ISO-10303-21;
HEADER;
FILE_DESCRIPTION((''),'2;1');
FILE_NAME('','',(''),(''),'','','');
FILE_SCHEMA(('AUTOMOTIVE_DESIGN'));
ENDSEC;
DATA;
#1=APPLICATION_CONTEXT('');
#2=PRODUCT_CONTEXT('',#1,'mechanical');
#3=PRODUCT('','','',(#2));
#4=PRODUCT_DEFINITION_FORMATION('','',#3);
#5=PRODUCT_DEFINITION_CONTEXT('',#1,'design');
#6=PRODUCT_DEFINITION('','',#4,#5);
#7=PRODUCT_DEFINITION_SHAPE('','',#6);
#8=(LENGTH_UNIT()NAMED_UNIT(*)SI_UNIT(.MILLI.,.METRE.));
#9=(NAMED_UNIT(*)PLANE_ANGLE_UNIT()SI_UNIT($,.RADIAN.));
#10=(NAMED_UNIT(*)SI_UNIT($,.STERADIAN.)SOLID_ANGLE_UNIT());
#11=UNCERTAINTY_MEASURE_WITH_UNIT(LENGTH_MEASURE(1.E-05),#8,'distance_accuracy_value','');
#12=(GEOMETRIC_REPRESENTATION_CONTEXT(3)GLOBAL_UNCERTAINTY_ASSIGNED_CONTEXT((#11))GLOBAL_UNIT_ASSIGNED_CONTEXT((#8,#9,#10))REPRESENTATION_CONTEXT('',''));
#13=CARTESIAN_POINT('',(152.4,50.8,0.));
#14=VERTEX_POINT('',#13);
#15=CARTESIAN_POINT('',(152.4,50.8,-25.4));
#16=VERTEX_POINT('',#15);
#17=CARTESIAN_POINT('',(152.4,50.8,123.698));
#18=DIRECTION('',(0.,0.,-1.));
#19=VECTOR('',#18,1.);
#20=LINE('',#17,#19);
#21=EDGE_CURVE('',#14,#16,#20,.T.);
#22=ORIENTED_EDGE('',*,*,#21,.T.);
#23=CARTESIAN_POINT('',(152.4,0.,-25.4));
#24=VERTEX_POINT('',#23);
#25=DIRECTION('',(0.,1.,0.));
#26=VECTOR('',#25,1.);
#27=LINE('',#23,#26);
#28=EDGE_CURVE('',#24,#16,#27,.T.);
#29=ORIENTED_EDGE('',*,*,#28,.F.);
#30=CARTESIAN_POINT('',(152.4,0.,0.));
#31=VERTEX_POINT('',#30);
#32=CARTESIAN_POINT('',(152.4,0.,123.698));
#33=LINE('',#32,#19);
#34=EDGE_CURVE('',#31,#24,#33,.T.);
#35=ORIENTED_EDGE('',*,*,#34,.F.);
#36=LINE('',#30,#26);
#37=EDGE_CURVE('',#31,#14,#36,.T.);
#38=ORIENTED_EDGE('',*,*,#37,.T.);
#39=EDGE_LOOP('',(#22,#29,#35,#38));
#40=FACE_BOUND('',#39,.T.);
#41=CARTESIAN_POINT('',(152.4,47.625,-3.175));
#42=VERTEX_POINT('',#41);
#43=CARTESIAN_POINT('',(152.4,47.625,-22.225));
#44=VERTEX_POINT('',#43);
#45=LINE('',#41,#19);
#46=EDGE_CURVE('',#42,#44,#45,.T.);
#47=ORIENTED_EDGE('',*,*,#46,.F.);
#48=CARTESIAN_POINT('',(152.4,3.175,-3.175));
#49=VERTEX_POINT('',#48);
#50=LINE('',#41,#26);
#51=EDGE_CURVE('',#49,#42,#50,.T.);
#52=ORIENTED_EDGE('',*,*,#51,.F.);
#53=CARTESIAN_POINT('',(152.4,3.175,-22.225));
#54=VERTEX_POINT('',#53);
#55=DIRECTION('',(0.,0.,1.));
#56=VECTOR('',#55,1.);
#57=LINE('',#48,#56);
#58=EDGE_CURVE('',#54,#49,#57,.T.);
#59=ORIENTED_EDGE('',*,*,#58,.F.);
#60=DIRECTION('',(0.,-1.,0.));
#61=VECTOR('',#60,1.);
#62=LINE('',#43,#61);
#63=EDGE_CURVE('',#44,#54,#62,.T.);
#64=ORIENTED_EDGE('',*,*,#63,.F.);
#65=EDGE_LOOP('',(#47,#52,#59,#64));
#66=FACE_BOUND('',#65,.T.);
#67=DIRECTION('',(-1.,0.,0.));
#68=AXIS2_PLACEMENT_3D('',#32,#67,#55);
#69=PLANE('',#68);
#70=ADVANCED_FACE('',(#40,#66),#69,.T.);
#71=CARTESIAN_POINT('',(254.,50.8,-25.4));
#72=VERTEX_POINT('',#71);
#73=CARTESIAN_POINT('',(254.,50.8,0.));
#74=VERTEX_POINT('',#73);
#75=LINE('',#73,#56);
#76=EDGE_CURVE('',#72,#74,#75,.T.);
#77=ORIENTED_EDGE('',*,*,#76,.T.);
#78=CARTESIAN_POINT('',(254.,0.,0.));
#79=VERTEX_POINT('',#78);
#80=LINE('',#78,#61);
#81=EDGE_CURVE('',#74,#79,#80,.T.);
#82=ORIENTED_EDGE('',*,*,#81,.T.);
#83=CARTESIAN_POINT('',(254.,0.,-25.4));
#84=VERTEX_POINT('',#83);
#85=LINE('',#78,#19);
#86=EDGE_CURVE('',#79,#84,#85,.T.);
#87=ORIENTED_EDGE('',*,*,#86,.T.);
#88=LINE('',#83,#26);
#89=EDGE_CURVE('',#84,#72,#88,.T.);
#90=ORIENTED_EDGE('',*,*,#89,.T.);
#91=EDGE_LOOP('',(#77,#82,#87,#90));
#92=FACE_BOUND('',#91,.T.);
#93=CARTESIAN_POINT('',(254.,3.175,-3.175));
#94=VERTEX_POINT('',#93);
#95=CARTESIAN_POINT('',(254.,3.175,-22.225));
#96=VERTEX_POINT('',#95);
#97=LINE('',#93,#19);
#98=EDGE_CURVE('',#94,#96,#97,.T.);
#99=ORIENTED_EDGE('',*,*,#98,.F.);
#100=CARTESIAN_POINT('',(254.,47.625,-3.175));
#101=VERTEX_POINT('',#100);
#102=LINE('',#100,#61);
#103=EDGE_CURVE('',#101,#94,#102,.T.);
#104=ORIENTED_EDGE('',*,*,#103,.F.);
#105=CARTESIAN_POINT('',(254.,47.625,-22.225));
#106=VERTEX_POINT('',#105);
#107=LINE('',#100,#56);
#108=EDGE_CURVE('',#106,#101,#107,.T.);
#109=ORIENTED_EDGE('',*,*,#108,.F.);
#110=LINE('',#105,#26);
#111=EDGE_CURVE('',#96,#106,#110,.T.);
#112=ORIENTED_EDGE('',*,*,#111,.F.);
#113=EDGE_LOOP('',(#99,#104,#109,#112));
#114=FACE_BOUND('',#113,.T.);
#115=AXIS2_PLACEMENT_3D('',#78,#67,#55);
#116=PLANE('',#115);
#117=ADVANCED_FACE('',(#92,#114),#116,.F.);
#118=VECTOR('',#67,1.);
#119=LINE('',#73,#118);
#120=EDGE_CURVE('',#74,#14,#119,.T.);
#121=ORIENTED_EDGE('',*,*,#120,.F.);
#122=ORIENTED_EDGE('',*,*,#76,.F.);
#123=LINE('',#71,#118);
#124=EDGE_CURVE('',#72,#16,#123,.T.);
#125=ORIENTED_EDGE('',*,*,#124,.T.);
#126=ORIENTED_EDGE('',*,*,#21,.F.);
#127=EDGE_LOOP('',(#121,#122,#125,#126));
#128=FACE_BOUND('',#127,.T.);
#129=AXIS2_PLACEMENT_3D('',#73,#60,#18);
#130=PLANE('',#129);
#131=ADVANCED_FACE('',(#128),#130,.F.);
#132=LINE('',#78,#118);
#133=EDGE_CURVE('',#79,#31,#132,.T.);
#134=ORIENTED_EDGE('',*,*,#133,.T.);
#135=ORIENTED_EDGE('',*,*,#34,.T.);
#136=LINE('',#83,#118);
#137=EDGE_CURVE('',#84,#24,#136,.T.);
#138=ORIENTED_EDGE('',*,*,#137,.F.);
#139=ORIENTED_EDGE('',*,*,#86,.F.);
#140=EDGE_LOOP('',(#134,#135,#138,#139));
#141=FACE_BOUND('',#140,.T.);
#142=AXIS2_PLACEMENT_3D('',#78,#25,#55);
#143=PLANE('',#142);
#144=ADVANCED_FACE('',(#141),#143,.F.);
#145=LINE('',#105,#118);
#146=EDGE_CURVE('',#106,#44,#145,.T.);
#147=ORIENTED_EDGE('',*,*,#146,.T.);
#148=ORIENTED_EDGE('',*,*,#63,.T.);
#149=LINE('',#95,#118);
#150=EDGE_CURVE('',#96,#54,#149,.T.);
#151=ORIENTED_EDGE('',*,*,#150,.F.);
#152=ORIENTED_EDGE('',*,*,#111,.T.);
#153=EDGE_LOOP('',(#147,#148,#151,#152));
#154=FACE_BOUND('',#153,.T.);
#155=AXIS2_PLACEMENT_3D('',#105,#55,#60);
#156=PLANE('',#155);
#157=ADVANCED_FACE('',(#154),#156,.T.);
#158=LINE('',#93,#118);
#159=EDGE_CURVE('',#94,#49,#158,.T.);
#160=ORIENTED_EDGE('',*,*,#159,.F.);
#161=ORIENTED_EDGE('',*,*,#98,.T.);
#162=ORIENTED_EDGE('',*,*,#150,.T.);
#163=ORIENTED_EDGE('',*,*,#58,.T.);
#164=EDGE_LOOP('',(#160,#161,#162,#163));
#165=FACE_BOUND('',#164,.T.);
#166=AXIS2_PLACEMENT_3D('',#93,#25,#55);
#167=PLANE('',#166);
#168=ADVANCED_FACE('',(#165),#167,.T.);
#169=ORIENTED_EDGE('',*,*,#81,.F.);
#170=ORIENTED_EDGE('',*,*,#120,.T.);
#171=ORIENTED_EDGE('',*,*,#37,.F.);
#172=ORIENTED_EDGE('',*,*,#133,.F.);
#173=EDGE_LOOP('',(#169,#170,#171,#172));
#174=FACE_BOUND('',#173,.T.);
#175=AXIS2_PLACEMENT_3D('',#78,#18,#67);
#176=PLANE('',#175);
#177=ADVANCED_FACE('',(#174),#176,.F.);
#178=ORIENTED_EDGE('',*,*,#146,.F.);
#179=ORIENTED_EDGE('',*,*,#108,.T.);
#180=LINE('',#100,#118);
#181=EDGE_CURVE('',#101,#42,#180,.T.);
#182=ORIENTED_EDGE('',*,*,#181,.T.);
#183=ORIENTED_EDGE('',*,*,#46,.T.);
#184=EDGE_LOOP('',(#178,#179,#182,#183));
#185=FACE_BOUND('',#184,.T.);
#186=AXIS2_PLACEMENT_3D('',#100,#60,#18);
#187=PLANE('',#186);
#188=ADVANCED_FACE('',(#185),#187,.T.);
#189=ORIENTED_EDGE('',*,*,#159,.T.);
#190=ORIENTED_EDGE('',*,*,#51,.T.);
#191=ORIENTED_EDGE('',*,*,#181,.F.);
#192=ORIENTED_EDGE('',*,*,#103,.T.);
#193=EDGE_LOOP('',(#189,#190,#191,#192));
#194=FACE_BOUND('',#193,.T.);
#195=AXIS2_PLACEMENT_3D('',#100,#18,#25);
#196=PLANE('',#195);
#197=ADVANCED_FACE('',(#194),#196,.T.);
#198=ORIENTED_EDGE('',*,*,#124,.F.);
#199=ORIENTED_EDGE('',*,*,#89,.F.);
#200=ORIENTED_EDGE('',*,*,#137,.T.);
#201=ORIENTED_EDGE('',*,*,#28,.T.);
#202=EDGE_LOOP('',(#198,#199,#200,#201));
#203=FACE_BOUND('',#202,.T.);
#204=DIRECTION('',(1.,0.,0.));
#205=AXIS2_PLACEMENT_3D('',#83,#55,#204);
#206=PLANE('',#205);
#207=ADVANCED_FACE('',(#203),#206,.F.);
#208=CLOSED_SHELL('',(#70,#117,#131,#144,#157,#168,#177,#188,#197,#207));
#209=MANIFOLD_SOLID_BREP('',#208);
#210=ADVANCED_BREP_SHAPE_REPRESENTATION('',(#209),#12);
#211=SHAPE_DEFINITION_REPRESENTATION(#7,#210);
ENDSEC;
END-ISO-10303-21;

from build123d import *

# Parameters (mm, degrees)
SKETCH1_W           = 25.4
SKETCH1_H           = 50.8
SKETCH1_W_2         = 19.05
SKETCH1_H_2         = 44.45
BOSS_EXTRUDE1_DEPTH = 254
CUT_EXTRUDE1_DEPTH  = 149.098


with BuildPart() as part:
    # Sketch1 → Boss-Extrude1 (new body)
    with BuildSketch(Plane(origin=(0, 0, 0), x_dir=(0, 0, -1), z_dir=(1, 0, 0))):
        with Locations((12.7, 25.4)):
            Rectangle(SKETCH1_W, SKETCH1_H)
        with Locations((12.7, 25.4)):
            Rectangle(SKETCH1_W_2, SKETCH1_H_2, mode=Mode.SUBTRACT)
    extrude(amount=BOSS_EXTRUDE1_DEPTH)

    # Sketch2 → Cut-Extrude1 (cut)
    with BuildSketch(Plane(origin=(0, 0, -25.4), x_dir=(-1, 0, 0), z_dir=(0, 0, -1))):
        Polygon((-152.4, 23.345366578), (-152.4, 0), (0, 0), (0, 50.8), (-152.4, 50.8), align=None)
    extrude(amount=-CUT_EXTRUDE1_DEPTH, mode=Mode.SUBTRACT)


solid = part.part
